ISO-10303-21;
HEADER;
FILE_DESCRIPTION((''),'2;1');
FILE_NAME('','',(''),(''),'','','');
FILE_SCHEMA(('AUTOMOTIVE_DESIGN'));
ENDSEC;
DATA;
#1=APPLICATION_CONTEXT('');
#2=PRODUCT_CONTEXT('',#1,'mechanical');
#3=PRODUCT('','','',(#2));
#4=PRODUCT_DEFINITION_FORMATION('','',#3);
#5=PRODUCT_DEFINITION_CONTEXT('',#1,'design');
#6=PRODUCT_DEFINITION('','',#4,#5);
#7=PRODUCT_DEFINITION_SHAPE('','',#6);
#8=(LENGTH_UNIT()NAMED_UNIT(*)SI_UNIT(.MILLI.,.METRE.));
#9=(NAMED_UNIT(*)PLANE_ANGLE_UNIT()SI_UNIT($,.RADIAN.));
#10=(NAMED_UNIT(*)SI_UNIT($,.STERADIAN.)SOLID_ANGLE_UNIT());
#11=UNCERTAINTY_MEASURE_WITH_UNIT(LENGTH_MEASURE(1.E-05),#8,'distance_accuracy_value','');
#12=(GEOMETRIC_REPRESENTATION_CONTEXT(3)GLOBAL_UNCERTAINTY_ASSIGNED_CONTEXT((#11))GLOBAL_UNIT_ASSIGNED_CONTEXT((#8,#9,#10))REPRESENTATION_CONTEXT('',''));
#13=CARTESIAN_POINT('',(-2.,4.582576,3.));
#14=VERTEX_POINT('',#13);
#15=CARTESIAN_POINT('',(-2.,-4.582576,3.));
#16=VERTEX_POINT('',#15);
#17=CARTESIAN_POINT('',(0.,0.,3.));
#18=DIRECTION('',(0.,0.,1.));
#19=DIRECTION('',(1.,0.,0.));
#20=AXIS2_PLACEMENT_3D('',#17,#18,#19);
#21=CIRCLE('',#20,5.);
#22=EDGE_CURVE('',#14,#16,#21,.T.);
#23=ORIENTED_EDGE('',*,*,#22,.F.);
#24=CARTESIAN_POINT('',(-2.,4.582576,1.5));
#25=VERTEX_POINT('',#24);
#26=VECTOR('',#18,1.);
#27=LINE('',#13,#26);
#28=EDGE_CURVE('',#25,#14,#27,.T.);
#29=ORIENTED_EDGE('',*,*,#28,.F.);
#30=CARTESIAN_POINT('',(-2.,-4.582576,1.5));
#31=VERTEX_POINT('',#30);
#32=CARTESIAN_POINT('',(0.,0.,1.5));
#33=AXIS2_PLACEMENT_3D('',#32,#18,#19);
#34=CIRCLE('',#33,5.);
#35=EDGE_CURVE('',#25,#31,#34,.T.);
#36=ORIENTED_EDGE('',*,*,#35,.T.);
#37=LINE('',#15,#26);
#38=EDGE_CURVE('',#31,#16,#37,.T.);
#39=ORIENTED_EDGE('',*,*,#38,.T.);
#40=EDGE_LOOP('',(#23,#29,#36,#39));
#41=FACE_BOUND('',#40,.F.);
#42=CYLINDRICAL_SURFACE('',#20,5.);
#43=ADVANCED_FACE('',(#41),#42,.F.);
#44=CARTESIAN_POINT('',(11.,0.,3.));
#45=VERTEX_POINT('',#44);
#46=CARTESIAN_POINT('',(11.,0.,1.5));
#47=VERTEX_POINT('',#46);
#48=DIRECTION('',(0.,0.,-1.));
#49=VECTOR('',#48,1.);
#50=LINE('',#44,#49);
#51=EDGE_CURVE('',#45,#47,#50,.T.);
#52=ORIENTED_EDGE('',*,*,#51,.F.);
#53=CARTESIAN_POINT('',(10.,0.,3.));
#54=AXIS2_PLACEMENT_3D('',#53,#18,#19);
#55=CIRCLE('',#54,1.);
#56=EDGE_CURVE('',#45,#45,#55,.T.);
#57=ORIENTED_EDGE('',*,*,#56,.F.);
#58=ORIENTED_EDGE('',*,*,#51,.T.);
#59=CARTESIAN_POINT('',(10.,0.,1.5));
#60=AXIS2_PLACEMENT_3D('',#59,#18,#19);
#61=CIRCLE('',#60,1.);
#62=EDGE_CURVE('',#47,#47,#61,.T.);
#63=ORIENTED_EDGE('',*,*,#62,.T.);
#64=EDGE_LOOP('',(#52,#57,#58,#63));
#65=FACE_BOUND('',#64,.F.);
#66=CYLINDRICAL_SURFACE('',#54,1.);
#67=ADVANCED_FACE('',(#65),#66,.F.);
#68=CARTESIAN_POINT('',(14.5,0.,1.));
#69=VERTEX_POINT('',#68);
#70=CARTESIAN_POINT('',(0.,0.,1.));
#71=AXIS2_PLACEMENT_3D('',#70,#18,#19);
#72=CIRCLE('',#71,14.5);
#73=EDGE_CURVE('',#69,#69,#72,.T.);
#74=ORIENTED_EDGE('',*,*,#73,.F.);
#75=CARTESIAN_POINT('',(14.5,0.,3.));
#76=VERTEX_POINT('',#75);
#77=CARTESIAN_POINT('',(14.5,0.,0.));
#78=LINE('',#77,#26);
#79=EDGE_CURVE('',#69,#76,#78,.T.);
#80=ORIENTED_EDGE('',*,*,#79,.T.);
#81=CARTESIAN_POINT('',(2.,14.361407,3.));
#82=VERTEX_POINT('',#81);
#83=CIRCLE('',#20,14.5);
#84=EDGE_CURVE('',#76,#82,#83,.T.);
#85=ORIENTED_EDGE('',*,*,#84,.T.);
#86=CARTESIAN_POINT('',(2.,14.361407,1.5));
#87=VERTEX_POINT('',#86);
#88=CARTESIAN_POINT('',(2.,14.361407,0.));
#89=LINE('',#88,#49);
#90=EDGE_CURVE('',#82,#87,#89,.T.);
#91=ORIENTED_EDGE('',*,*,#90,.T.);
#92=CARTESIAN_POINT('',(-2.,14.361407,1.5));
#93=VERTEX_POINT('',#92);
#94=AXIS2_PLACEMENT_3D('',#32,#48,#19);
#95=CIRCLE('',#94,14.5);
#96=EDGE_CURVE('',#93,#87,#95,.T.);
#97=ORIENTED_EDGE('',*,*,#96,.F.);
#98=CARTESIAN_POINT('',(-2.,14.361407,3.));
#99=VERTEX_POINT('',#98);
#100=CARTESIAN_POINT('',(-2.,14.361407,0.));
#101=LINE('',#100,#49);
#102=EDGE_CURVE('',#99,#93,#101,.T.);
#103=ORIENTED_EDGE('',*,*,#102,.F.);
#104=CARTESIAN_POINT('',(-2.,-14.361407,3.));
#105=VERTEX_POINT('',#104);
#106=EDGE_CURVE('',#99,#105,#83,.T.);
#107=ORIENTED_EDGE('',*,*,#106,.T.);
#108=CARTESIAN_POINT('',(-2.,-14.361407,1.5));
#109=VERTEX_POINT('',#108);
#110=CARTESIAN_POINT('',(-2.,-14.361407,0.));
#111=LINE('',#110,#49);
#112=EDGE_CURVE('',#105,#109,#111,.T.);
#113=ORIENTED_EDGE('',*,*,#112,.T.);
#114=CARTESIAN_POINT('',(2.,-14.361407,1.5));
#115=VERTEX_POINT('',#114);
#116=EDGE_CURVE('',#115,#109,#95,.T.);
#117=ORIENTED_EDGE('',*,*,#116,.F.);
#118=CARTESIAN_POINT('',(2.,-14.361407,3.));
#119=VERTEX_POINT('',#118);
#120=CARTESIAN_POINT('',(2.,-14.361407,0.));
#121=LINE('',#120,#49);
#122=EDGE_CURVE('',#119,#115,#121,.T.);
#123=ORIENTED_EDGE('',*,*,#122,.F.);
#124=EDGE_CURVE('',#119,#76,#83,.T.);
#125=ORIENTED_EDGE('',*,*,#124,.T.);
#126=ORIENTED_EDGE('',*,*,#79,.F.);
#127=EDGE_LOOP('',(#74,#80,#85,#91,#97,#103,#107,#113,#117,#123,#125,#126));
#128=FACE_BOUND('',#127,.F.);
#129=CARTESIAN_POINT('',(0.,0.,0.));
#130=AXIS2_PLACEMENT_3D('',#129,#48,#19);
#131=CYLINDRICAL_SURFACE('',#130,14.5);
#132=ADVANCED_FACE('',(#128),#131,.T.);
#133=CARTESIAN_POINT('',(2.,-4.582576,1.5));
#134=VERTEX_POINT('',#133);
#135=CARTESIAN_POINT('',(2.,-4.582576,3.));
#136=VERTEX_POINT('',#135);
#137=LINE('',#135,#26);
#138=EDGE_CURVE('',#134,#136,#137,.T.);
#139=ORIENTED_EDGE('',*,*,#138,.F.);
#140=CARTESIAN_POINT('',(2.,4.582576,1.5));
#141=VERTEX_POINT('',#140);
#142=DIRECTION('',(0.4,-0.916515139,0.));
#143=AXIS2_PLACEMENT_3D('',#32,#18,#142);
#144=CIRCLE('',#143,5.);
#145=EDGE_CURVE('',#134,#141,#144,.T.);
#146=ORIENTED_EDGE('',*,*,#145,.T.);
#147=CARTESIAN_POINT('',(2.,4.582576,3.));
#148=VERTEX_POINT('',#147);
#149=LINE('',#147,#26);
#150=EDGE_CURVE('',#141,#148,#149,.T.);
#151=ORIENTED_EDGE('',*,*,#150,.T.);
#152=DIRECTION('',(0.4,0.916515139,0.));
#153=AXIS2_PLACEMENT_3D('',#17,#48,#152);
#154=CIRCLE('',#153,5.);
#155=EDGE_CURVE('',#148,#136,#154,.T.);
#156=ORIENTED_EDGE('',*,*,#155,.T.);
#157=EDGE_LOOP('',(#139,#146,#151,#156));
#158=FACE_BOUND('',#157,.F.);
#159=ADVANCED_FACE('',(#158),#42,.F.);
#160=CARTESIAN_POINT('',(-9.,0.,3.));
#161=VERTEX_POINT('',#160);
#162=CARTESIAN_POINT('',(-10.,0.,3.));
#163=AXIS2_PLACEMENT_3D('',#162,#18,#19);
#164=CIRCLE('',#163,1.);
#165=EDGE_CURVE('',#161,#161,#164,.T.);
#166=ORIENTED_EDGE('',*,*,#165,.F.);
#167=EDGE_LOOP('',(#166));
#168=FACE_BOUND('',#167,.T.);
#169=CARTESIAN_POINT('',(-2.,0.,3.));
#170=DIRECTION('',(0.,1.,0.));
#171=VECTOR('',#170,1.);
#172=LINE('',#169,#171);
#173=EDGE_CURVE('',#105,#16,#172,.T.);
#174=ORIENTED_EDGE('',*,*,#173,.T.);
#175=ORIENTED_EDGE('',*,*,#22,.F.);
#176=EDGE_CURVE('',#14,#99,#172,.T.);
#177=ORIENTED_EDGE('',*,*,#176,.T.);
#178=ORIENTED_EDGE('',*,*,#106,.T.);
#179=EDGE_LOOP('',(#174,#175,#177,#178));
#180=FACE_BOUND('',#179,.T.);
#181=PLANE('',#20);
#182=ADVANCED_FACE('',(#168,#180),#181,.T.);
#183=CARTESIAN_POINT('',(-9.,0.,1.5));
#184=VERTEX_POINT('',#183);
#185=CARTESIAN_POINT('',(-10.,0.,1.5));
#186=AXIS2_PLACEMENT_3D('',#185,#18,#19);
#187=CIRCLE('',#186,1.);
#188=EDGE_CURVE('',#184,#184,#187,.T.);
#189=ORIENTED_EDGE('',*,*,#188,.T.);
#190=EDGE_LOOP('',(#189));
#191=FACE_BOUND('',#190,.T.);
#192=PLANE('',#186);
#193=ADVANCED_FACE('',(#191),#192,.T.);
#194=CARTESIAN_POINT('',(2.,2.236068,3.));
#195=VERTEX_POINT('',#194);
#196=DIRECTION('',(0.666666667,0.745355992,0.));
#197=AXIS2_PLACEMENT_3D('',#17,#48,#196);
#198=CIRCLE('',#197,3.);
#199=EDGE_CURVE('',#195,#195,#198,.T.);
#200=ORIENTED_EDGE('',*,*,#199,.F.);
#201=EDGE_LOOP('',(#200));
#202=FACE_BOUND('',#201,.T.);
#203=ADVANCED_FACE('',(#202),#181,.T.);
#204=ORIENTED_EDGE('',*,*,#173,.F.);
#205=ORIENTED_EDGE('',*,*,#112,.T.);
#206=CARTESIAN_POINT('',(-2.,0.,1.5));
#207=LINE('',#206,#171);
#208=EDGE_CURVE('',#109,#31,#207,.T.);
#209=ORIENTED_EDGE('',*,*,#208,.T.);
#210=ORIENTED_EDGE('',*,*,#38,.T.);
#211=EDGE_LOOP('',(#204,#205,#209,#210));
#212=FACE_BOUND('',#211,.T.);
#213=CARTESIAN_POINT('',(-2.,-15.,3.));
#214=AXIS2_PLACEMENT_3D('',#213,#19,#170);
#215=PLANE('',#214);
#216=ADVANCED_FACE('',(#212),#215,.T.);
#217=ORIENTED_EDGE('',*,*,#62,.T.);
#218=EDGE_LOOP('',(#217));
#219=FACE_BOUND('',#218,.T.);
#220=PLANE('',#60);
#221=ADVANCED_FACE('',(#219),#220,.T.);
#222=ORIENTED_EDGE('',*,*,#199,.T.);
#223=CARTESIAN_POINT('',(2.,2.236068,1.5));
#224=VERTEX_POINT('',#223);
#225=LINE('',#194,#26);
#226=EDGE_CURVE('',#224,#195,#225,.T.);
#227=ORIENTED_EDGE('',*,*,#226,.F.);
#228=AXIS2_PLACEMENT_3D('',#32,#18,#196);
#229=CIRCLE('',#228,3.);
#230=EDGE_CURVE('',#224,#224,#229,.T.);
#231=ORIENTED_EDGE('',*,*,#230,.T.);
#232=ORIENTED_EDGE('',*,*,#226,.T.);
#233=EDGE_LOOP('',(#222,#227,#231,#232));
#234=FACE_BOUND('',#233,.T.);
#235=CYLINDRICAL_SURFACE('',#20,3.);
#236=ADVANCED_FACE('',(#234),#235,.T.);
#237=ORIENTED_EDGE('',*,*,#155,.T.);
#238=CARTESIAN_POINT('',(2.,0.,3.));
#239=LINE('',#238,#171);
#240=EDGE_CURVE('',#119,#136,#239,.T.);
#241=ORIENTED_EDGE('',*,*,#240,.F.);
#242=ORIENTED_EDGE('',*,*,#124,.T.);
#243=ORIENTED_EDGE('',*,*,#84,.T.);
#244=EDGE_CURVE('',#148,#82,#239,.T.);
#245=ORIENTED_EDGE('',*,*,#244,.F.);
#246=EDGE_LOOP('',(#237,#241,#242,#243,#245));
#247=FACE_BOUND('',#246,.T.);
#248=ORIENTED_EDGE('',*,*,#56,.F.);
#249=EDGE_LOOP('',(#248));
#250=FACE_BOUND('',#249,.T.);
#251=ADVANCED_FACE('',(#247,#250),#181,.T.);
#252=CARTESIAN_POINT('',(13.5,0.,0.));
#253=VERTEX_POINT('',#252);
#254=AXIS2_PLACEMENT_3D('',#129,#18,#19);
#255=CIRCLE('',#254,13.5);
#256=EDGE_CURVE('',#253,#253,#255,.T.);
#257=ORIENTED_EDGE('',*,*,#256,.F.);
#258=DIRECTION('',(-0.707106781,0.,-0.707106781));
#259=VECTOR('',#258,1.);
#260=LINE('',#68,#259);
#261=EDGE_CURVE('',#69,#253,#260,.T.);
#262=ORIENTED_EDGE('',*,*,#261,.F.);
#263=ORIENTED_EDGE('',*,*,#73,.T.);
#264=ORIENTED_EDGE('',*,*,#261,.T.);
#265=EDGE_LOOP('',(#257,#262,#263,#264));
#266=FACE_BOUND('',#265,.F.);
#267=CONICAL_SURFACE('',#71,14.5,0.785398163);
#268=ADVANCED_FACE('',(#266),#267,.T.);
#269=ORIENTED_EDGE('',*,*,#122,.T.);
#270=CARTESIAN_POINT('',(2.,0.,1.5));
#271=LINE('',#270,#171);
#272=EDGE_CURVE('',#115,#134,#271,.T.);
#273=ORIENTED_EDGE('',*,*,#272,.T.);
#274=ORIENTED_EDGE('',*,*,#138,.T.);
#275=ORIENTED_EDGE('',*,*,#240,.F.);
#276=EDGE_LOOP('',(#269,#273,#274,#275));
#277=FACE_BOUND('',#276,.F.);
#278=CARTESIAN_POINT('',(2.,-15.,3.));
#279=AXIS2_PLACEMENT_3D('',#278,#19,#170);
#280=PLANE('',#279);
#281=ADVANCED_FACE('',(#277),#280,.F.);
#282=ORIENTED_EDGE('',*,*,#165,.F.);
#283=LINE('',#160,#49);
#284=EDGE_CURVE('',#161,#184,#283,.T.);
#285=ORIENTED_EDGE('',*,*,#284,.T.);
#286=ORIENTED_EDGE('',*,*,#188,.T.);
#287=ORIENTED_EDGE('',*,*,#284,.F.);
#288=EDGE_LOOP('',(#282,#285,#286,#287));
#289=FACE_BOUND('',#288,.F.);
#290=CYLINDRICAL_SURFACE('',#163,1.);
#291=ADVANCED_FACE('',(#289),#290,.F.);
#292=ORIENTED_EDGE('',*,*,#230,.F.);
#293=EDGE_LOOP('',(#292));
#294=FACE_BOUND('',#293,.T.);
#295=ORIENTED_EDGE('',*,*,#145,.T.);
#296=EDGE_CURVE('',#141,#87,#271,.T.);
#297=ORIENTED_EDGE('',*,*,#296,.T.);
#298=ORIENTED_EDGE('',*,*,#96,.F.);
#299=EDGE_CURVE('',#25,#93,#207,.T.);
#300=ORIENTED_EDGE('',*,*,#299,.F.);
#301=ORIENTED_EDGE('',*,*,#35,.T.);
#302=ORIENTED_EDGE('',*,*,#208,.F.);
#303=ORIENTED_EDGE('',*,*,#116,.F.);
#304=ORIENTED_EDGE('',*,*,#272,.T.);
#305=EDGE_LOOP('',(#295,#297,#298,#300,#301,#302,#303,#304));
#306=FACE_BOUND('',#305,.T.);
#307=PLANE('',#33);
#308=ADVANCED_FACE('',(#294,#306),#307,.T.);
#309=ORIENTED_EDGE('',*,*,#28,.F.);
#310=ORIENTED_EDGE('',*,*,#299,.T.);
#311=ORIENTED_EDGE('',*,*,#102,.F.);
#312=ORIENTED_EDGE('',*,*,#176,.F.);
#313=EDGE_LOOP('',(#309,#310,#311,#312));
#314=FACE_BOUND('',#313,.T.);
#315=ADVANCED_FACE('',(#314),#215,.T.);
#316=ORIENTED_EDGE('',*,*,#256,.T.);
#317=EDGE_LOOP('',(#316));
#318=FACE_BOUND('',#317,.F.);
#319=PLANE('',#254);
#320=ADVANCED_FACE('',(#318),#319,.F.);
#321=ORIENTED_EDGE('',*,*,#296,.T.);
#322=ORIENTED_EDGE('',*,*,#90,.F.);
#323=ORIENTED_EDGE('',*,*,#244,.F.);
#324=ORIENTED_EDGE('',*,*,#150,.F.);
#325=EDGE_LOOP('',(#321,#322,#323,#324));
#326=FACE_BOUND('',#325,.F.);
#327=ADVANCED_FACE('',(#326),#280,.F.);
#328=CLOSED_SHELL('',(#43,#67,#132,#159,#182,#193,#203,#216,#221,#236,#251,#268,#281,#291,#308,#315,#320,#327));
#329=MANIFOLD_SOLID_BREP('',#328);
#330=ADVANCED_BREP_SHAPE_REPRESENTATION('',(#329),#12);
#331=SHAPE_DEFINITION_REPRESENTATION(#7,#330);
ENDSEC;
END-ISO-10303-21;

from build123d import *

# Parameters (mm, degrees)
F0_R     = 14.5
F1_DEPTH = 3
F2_W     = 4
F2_H     = 30
F3_DEPTH = 1.5
F4_R     = 5
F4_R_2   = 3
F5_DEPTH = 1.5
F6_R     = 3
F7_DEPTH = 1.5
F8_R     = 1
F9_DEPTH = 1.5
F10_SIZE = 1


with BuildPart() as f1:
    # F0 (on Top) → F1 (new body)
    with BuildSketch(Plane.XY):
        Circle(F0_R)
    extrude(amount=F1_DEPTH)

    # F2 (on face) → F3 (cut)
    with BuildSketch(Plane.XY.offset(3)):
        Rectangle(F2_W, F2_H)
    extrude(amount=-F3_DEPTH, mode=Mode.SUBTRACT)

    # F4 (on face) → F5 (cut)
    with BuildSketch(Plane.XY.offset(3)):
        Circle(F4_R)
        Circle(F4_R_2, mode=Mode.SUBTRACT)
    extrude(amount=-F5_DEPTH, mode=Mode.SUBTRACT)

    # F6 (on face) → F7 (join)
    with BuildSketch(Plane.XY.offset(3)):
        Circle(F6_R)
    extrude(amount=-F7_DEPTH)

    # F8 (on face) → F9 (cut)
    with BuildSketch(Plane.XY.offset(3)):
        with Locations((10, 0)):
            Circle(F8_R)
        with Locations((-10, 0)):
            Circle(F8_R)
    extrude(amount=-F9_DEPTH, mode=Mode.SUBTRACT)

    # F10
    f10_edges = [f1.edges().sort_by_distance(p)[0] for p in [
        (-14.5, 0, 0),
    ]]
    chamfer(f10_edges, length=F10_SIZE)


solid = f1.part
